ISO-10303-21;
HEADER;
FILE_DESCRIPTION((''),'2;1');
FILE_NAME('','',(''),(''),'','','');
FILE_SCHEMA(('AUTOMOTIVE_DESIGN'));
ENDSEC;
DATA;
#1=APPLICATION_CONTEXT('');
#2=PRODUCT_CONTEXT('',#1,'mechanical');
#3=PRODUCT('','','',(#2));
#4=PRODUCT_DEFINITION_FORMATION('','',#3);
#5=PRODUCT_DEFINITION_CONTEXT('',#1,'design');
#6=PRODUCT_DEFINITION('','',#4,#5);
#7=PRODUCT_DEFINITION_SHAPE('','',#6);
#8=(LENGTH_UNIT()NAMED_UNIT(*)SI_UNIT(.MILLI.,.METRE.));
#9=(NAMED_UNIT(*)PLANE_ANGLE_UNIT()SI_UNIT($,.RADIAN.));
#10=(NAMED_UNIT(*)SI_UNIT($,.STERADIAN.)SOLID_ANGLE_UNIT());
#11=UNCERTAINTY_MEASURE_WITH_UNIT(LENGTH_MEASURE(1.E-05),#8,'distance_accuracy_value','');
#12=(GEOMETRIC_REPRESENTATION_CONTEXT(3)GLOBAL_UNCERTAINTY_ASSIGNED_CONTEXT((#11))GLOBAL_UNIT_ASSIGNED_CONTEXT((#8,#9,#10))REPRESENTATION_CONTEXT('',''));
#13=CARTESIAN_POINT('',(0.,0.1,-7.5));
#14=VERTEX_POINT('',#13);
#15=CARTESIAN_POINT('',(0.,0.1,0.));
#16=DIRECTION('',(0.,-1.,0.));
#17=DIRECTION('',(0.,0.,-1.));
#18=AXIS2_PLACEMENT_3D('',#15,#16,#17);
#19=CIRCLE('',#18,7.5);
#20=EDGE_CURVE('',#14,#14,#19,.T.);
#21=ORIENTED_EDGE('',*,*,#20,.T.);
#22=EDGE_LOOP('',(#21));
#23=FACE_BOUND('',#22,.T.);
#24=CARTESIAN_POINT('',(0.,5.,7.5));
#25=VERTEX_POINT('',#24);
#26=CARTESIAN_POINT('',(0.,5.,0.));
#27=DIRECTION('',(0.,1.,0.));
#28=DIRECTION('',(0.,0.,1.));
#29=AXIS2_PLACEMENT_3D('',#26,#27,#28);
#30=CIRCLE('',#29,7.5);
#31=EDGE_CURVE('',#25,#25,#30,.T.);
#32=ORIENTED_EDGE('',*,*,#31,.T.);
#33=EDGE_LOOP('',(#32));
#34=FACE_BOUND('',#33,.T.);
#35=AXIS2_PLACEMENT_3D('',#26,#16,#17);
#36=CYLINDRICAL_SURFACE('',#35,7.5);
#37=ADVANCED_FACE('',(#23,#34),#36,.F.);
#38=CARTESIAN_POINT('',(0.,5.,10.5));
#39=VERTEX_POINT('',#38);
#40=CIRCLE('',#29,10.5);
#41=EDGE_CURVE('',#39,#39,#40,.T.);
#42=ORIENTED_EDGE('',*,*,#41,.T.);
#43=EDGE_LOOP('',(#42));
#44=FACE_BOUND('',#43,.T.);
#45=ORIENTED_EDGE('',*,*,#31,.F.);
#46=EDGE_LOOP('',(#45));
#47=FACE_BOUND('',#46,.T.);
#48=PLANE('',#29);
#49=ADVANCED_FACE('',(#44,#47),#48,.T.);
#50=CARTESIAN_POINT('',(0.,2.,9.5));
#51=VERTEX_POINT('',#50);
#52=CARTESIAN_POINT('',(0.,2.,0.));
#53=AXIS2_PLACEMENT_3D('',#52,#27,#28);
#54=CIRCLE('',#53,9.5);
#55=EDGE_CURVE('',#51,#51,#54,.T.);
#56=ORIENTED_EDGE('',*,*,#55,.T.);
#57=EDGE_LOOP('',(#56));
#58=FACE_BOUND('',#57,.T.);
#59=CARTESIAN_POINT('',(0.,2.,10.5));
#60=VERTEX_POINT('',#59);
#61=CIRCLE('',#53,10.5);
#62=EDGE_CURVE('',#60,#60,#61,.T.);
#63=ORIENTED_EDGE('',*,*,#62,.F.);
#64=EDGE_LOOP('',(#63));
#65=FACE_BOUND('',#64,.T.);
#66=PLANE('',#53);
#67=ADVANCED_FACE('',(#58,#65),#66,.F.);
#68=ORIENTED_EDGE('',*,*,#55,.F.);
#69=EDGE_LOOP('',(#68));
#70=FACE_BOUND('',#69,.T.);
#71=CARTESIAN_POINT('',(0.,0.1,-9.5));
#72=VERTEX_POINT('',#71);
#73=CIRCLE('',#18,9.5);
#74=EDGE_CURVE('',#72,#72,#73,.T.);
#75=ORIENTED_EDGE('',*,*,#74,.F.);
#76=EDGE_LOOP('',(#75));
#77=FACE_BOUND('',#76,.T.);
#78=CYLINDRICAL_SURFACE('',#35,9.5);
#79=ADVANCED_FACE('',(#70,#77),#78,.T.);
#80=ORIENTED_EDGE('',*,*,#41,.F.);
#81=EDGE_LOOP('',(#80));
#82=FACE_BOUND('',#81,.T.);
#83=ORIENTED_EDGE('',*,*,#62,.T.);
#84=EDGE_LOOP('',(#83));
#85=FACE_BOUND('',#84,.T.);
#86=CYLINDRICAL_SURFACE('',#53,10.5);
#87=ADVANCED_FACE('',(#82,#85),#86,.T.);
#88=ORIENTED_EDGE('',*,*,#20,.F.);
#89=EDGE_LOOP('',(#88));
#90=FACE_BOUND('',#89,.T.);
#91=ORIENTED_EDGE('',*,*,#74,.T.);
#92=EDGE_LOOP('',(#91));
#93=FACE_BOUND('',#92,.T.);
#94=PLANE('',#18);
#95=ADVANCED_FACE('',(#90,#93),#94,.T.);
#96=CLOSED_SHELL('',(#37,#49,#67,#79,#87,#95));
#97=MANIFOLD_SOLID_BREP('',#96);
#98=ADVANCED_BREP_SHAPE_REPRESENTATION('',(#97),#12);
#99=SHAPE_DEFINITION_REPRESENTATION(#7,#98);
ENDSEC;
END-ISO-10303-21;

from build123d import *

# Parameters (mm, degrees)
SCHIZZO1_R                   = 9.5
SCHIZZO1_R_2                 = 7.5
ESTRUSIONE_ESTRUSIONE1_DEPTH = 5
SCHIZZO2_R                   = 10.5
SCHIZZO2_R_2                 = 9.5
ESTRUSIONE_ESTRUSIONE2_DEPTH = 3
SCHIZZO3_R                   = 9.5
TAGLIO_ESTRUSIONE1_DEPTH     = 0.1


with BuildPart() as part:
    # Schizzo1 → Estrusione-Estrusione1 (new body)
    with BuildSketch(Plane(origin=(0, 0, 0), x_dir=(1, 0, 0), z_dir=(0, 1, 0))):
        Circle(SCHIZZO1_R)
        Circle(SCHIZZO1_R_2, mode=Mode.SUBTRACT)
    extrude(amount=ESTRUSIONE_ESTRUSIONE1_DEPTH)

    # Schizzo2 → Estrusione-Estrusione2 (add)
    with BuildSketch(Plane(origin=(0, 5, 0), x_dir=(1, 0, 0), z_dir=(0, 1, 0))):
        Circle(SCHIZZO2_R)
        Circle(SCHIZZO2_R_2, mode=Mode.SUBTRACT)
    extrude(amount=-ESTRUSIONE_ESTRUSIONE2_DEPTH)

    # Schizzo3 → Taglio-Estrusione1 (cut)
    with BuildSketch(Plane.XZ):
        Circle(SCHIZZO3_R)
    extrude(amount=-TAGLIO_ESTRUSIONE1_DEPTH, mode=Mode.SUBTRACT)


solid = part.part
